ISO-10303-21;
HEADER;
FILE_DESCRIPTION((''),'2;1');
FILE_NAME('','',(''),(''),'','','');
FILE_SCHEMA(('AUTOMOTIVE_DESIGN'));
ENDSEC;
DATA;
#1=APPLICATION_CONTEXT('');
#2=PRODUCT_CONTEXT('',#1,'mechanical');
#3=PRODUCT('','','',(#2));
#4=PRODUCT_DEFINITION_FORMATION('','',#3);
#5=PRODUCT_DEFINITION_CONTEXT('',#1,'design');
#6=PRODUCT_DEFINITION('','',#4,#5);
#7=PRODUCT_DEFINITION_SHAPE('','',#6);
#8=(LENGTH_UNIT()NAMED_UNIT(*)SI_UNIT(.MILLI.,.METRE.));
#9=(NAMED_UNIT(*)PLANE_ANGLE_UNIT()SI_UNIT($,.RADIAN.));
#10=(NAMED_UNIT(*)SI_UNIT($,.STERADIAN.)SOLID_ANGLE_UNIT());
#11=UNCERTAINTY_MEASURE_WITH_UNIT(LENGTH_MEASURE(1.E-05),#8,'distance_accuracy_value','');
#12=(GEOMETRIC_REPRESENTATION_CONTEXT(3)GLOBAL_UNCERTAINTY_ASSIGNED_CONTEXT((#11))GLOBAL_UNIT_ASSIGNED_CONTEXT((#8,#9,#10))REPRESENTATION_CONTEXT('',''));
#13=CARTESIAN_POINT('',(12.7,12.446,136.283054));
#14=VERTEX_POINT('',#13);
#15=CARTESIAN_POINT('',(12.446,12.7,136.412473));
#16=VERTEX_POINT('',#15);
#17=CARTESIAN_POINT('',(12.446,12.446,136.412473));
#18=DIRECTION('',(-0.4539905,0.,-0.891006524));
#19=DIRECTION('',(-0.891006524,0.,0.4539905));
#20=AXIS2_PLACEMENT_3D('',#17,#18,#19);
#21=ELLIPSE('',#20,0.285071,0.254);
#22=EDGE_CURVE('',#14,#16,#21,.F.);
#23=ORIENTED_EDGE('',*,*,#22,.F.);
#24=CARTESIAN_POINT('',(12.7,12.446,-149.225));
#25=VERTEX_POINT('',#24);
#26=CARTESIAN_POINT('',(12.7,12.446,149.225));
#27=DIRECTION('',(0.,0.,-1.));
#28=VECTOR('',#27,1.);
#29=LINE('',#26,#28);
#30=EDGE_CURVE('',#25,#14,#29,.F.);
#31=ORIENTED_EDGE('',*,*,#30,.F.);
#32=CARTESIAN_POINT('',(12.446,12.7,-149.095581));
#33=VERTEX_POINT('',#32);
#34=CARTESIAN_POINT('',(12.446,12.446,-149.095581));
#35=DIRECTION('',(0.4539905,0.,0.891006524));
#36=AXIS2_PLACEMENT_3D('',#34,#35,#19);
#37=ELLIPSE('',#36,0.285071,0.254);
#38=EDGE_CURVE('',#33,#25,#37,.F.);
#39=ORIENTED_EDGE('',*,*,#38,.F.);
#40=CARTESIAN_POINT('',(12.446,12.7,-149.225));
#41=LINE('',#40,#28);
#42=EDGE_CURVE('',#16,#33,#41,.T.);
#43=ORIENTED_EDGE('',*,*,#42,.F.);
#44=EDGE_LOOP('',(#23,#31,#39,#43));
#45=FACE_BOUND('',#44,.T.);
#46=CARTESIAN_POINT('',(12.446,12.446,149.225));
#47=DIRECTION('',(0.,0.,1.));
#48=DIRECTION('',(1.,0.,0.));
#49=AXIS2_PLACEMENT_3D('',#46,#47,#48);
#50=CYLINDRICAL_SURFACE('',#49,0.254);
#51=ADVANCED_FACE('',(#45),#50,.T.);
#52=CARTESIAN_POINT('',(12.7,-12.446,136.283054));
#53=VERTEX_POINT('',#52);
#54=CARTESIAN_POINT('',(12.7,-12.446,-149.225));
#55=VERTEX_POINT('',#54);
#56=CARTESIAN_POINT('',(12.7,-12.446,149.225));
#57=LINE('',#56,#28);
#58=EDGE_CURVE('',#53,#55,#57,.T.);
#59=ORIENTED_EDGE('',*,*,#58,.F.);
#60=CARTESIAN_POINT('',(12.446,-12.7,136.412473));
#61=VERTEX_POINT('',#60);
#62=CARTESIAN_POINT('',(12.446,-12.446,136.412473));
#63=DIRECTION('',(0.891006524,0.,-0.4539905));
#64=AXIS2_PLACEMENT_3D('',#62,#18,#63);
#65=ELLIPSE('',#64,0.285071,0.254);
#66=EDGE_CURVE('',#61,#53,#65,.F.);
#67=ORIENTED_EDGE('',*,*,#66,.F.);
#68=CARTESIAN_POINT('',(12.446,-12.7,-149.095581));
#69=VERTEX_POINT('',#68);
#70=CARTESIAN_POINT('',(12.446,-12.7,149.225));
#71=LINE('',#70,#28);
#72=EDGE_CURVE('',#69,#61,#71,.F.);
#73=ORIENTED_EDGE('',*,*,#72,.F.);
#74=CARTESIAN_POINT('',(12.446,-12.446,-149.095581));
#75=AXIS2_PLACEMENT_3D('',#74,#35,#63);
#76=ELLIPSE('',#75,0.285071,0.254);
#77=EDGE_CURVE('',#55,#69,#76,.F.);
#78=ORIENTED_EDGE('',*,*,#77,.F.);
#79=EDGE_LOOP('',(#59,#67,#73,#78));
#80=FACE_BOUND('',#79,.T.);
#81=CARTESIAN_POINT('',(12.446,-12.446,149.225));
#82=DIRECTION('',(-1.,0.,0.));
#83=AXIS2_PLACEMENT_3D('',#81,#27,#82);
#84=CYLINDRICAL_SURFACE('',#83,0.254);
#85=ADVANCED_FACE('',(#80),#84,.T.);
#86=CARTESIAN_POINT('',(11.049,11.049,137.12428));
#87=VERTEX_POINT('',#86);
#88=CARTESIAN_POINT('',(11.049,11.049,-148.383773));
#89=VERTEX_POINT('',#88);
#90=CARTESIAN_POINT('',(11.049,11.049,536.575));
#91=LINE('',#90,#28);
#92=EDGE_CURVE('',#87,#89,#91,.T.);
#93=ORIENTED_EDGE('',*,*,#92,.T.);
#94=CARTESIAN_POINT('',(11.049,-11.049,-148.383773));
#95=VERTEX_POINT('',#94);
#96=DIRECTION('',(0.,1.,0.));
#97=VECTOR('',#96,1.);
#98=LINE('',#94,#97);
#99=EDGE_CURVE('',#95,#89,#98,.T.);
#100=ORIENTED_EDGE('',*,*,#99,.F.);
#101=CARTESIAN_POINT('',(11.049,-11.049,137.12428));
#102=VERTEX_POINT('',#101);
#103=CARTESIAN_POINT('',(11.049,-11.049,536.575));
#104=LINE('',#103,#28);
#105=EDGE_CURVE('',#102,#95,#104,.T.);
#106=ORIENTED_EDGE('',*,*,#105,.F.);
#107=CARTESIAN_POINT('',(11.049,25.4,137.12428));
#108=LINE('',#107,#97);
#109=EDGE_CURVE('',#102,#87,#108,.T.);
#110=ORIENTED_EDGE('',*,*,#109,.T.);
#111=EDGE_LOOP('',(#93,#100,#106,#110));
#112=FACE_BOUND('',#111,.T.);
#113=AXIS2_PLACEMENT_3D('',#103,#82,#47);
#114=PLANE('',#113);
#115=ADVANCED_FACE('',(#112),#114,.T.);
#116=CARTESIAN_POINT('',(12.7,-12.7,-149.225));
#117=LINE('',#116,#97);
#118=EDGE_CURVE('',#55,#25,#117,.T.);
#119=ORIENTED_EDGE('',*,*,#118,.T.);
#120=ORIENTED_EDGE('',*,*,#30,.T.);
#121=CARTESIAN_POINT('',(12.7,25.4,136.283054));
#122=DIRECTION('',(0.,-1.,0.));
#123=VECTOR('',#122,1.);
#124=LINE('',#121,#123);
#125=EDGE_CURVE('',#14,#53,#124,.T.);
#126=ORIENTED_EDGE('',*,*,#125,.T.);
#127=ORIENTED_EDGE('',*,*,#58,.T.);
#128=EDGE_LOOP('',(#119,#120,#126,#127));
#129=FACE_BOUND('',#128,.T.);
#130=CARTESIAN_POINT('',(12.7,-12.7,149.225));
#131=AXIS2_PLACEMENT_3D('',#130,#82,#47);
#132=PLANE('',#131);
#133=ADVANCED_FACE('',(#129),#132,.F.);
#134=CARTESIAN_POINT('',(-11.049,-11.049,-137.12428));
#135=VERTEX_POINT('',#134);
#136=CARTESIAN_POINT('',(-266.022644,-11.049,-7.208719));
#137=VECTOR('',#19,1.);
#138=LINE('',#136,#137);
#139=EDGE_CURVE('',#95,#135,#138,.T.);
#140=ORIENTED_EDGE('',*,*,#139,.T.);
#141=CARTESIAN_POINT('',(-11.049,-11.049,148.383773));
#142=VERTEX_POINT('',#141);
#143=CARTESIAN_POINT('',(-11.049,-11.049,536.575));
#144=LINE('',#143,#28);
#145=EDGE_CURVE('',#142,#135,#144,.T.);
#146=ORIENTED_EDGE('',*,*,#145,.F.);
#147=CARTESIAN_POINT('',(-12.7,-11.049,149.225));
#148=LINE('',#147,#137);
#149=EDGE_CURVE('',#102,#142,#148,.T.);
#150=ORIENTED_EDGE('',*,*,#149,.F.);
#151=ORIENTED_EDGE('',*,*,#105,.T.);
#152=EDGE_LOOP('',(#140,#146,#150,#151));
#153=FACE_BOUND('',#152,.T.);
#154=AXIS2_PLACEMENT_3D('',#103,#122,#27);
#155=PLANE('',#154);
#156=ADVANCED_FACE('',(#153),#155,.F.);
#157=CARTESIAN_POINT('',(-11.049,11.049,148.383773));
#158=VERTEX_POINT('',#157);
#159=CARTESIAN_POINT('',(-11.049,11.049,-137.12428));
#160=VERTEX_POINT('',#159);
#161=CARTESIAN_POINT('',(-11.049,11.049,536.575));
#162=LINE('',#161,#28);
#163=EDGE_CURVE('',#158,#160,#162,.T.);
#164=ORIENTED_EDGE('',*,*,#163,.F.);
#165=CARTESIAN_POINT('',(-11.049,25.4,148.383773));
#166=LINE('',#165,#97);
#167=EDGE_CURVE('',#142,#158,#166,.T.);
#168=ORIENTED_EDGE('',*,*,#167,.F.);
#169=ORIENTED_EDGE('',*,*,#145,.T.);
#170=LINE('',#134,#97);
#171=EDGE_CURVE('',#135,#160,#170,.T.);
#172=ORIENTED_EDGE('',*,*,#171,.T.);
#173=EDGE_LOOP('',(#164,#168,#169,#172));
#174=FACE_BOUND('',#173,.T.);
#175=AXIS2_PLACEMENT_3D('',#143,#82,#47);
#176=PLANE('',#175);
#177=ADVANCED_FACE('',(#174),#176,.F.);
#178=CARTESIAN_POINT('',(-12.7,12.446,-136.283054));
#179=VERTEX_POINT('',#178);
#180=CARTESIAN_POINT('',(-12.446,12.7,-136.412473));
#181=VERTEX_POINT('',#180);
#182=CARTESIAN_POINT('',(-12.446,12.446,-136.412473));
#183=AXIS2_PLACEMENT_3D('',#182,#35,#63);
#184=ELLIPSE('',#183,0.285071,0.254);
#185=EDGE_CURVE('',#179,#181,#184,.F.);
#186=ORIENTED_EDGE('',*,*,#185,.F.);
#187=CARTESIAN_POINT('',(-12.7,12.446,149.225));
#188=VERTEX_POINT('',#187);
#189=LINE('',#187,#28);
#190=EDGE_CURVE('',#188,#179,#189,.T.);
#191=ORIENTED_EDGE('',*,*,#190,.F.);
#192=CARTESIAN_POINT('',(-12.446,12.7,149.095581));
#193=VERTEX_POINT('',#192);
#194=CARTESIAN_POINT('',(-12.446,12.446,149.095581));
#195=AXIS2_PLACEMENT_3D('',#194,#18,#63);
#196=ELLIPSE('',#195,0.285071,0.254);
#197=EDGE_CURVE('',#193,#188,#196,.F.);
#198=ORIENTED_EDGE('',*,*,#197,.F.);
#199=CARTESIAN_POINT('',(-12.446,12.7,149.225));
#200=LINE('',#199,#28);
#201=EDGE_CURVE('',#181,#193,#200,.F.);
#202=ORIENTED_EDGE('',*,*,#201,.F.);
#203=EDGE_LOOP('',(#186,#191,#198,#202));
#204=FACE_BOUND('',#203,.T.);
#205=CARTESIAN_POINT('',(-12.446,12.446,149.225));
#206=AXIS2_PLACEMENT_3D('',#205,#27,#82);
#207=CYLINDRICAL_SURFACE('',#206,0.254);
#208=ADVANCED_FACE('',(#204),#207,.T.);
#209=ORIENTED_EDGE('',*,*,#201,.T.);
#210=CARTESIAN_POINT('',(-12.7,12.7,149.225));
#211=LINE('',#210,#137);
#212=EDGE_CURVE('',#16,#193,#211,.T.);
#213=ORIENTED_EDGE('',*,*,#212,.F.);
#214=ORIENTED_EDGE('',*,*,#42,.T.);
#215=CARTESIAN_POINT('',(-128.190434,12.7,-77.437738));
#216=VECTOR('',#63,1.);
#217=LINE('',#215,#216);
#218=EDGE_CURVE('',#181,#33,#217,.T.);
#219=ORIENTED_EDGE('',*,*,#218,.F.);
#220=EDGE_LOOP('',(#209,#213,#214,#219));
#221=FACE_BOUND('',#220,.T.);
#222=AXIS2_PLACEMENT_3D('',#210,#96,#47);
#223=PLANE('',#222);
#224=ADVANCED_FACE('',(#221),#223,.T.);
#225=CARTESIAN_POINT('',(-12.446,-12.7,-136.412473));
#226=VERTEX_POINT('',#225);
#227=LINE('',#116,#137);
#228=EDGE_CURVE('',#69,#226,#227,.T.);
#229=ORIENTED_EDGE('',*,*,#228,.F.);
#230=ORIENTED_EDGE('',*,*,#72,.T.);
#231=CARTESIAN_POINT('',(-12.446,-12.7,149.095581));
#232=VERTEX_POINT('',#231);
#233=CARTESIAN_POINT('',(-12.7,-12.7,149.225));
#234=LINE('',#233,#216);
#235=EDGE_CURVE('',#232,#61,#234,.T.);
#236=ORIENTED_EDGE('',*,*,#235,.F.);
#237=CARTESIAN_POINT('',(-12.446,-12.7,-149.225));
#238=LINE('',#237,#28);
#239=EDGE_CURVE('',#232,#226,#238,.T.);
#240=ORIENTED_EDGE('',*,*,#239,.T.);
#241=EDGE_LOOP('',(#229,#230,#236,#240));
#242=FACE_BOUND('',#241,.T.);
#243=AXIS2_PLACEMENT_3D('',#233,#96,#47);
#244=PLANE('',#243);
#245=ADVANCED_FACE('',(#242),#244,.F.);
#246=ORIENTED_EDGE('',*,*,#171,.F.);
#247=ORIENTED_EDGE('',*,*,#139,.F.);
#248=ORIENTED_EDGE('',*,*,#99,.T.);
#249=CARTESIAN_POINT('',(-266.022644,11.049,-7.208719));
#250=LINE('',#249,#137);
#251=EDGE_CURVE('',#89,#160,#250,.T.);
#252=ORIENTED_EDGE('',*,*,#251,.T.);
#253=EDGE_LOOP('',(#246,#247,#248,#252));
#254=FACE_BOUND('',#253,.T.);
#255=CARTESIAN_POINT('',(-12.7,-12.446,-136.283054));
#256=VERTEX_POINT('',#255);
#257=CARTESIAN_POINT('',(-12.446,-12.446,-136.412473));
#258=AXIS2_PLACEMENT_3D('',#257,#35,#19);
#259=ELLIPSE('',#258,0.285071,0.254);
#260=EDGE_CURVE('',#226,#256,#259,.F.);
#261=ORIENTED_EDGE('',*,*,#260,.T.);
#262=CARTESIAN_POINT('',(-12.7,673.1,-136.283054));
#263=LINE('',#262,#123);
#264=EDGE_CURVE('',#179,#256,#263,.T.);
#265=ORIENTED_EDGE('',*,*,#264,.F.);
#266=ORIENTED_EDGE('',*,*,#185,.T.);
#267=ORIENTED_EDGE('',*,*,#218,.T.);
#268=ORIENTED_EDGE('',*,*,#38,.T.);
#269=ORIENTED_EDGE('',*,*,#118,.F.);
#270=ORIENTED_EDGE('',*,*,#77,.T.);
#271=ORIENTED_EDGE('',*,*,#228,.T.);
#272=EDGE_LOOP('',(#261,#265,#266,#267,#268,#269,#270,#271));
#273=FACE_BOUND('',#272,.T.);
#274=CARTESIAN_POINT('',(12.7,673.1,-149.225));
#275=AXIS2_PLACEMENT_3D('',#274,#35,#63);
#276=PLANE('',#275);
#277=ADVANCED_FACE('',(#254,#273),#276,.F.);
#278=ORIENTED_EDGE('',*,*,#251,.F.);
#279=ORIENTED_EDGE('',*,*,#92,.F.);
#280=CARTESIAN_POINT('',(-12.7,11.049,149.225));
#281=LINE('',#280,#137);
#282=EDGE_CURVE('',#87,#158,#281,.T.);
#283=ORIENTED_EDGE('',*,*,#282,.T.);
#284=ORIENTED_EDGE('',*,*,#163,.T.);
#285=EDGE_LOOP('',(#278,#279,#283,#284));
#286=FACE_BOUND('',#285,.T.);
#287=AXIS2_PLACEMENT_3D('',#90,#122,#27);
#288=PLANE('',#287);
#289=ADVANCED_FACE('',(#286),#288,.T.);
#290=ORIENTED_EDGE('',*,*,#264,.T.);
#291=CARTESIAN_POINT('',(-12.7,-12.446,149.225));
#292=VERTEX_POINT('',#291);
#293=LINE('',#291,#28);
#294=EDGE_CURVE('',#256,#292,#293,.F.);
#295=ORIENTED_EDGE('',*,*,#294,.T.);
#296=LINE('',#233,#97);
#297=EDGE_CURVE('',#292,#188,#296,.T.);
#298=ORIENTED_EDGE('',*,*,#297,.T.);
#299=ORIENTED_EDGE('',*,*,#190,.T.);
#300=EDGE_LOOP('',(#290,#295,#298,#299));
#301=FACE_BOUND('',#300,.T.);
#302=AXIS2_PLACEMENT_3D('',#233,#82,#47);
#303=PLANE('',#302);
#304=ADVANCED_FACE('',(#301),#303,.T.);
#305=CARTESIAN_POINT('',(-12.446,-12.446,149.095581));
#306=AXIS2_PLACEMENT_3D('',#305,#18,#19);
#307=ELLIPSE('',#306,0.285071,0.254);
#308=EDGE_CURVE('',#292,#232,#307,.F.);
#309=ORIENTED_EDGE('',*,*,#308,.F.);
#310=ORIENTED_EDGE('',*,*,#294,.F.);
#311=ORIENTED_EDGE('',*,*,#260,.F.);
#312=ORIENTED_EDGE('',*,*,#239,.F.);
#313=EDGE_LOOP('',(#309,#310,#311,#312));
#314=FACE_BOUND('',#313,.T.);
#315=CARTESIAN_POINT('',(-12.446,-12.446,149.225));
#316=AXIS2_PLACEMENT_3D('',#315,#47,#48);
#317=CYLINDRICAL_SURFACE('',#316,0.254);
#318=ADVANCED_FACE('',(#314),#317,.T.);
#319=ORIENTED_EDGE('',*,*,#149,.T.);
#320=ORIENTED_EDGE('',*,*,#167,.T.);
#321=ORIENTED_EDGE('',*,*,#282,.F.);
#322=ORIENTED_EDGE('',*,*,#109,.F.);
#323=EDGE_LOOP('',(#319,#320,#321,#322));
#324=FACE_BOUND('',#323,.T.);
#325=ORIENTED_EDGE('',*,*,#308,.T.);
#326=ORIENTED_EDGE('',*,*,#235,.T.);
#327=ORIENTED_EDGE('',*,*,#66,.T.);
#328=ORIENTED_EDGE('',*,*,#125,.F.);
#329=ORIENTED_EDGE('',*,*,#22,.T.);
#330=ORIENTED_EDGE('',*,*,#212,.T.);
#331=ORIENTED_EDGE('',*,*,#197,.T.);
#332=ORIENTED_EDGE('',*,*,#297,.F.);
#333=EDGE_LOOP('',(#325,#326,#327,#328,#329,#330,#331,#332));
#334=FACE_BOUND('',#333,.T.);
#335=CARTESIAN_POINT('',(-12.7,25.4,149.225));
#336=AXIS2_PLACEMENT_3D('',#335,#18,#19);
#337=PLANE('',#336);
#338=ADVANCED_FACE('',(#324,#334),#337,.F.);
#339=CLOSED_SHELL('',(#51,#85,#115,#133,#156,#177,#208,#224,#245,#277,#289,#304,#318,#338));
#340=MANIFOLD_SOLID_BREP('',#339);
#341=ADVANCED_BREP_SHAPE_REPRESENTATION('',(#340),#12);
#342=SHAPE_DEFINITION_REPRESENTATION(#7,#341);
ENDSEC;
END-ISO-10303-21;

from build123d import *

# Parameters (mm, degrees)
SKETCH1_W           = 25.4
SKETCH1_H           = 25.4
BOSS_EXTRUDE1_DEPTH = 149.225
FILLET1_R           = 0.254
CUT_EXTRUDE1_DEPTH  = 38.1
SKETCH4_W           = 22.098
SKETCH4_H           = 22.098
CUT_EXTRUDE4_DEPTH  = 685.8
CUT_EXTRUDE5_DEPTH  = 685.8


with BuildPart() as part:
    # Sketch1 → Boss-Extrude1 (new, symmetric)
    with BuildSketch(Plane.XY):
        Rectangle(SKETCH1_W, SKETCH1_H)
    extrude(amount=BOSS_EXTRUDE1_DEPTH, both=True)

    # Fillet1
    fillet1_edges = [part.edges().sort_by_distance(p)[0] for p in [
        (-12.7, 12.7, 0),
        (-12.7, -12.7, 0),
        (12.7, -12.7, 0),
        (12.7, 12.7, 0),
    ]]
    fillet(fillet1_edges, radius=FILLET1_R)

    # Sketch2 → Cut-Extrude1 (cut)
    with BuildSketch(Plane.XZ.offset(12.7)):
        Polygon((-12.7, 149.225), (12.7, 136.283053583), (12.7, 149.225), align=None)
    extrude(amount=-CUT_EXTRUDE1_DEPTH, mode=Mode.SUBTRACT)

    # Sketch4 → Cut-Extrude4 (cut)
    with BuildSketch(Plane(origin=(0, 0, -149.225), x_dir=(-1, 0, 0), z_dir=(0, 0, -1))):
        Rectangle(SKETCH4_W, SKETCH4_H)
    extrude(amount=-CUT_EXTRUDE4_DEPTH, mode=Mode.SUBTRACT)

    # Sketch5 → Cut-Extrude5 (cut)
    with BuildSketch(Plane.XZ.offset(12.7)):
        Polygon((-12.7, -136.283053583), (-12.7, -149.225), (12.7, -149.225), align=None)
    extrude(amount=-CUT_EXTRUDE5_DEPTH, mode=Mode.SUBTRACT)


solid = part.part
